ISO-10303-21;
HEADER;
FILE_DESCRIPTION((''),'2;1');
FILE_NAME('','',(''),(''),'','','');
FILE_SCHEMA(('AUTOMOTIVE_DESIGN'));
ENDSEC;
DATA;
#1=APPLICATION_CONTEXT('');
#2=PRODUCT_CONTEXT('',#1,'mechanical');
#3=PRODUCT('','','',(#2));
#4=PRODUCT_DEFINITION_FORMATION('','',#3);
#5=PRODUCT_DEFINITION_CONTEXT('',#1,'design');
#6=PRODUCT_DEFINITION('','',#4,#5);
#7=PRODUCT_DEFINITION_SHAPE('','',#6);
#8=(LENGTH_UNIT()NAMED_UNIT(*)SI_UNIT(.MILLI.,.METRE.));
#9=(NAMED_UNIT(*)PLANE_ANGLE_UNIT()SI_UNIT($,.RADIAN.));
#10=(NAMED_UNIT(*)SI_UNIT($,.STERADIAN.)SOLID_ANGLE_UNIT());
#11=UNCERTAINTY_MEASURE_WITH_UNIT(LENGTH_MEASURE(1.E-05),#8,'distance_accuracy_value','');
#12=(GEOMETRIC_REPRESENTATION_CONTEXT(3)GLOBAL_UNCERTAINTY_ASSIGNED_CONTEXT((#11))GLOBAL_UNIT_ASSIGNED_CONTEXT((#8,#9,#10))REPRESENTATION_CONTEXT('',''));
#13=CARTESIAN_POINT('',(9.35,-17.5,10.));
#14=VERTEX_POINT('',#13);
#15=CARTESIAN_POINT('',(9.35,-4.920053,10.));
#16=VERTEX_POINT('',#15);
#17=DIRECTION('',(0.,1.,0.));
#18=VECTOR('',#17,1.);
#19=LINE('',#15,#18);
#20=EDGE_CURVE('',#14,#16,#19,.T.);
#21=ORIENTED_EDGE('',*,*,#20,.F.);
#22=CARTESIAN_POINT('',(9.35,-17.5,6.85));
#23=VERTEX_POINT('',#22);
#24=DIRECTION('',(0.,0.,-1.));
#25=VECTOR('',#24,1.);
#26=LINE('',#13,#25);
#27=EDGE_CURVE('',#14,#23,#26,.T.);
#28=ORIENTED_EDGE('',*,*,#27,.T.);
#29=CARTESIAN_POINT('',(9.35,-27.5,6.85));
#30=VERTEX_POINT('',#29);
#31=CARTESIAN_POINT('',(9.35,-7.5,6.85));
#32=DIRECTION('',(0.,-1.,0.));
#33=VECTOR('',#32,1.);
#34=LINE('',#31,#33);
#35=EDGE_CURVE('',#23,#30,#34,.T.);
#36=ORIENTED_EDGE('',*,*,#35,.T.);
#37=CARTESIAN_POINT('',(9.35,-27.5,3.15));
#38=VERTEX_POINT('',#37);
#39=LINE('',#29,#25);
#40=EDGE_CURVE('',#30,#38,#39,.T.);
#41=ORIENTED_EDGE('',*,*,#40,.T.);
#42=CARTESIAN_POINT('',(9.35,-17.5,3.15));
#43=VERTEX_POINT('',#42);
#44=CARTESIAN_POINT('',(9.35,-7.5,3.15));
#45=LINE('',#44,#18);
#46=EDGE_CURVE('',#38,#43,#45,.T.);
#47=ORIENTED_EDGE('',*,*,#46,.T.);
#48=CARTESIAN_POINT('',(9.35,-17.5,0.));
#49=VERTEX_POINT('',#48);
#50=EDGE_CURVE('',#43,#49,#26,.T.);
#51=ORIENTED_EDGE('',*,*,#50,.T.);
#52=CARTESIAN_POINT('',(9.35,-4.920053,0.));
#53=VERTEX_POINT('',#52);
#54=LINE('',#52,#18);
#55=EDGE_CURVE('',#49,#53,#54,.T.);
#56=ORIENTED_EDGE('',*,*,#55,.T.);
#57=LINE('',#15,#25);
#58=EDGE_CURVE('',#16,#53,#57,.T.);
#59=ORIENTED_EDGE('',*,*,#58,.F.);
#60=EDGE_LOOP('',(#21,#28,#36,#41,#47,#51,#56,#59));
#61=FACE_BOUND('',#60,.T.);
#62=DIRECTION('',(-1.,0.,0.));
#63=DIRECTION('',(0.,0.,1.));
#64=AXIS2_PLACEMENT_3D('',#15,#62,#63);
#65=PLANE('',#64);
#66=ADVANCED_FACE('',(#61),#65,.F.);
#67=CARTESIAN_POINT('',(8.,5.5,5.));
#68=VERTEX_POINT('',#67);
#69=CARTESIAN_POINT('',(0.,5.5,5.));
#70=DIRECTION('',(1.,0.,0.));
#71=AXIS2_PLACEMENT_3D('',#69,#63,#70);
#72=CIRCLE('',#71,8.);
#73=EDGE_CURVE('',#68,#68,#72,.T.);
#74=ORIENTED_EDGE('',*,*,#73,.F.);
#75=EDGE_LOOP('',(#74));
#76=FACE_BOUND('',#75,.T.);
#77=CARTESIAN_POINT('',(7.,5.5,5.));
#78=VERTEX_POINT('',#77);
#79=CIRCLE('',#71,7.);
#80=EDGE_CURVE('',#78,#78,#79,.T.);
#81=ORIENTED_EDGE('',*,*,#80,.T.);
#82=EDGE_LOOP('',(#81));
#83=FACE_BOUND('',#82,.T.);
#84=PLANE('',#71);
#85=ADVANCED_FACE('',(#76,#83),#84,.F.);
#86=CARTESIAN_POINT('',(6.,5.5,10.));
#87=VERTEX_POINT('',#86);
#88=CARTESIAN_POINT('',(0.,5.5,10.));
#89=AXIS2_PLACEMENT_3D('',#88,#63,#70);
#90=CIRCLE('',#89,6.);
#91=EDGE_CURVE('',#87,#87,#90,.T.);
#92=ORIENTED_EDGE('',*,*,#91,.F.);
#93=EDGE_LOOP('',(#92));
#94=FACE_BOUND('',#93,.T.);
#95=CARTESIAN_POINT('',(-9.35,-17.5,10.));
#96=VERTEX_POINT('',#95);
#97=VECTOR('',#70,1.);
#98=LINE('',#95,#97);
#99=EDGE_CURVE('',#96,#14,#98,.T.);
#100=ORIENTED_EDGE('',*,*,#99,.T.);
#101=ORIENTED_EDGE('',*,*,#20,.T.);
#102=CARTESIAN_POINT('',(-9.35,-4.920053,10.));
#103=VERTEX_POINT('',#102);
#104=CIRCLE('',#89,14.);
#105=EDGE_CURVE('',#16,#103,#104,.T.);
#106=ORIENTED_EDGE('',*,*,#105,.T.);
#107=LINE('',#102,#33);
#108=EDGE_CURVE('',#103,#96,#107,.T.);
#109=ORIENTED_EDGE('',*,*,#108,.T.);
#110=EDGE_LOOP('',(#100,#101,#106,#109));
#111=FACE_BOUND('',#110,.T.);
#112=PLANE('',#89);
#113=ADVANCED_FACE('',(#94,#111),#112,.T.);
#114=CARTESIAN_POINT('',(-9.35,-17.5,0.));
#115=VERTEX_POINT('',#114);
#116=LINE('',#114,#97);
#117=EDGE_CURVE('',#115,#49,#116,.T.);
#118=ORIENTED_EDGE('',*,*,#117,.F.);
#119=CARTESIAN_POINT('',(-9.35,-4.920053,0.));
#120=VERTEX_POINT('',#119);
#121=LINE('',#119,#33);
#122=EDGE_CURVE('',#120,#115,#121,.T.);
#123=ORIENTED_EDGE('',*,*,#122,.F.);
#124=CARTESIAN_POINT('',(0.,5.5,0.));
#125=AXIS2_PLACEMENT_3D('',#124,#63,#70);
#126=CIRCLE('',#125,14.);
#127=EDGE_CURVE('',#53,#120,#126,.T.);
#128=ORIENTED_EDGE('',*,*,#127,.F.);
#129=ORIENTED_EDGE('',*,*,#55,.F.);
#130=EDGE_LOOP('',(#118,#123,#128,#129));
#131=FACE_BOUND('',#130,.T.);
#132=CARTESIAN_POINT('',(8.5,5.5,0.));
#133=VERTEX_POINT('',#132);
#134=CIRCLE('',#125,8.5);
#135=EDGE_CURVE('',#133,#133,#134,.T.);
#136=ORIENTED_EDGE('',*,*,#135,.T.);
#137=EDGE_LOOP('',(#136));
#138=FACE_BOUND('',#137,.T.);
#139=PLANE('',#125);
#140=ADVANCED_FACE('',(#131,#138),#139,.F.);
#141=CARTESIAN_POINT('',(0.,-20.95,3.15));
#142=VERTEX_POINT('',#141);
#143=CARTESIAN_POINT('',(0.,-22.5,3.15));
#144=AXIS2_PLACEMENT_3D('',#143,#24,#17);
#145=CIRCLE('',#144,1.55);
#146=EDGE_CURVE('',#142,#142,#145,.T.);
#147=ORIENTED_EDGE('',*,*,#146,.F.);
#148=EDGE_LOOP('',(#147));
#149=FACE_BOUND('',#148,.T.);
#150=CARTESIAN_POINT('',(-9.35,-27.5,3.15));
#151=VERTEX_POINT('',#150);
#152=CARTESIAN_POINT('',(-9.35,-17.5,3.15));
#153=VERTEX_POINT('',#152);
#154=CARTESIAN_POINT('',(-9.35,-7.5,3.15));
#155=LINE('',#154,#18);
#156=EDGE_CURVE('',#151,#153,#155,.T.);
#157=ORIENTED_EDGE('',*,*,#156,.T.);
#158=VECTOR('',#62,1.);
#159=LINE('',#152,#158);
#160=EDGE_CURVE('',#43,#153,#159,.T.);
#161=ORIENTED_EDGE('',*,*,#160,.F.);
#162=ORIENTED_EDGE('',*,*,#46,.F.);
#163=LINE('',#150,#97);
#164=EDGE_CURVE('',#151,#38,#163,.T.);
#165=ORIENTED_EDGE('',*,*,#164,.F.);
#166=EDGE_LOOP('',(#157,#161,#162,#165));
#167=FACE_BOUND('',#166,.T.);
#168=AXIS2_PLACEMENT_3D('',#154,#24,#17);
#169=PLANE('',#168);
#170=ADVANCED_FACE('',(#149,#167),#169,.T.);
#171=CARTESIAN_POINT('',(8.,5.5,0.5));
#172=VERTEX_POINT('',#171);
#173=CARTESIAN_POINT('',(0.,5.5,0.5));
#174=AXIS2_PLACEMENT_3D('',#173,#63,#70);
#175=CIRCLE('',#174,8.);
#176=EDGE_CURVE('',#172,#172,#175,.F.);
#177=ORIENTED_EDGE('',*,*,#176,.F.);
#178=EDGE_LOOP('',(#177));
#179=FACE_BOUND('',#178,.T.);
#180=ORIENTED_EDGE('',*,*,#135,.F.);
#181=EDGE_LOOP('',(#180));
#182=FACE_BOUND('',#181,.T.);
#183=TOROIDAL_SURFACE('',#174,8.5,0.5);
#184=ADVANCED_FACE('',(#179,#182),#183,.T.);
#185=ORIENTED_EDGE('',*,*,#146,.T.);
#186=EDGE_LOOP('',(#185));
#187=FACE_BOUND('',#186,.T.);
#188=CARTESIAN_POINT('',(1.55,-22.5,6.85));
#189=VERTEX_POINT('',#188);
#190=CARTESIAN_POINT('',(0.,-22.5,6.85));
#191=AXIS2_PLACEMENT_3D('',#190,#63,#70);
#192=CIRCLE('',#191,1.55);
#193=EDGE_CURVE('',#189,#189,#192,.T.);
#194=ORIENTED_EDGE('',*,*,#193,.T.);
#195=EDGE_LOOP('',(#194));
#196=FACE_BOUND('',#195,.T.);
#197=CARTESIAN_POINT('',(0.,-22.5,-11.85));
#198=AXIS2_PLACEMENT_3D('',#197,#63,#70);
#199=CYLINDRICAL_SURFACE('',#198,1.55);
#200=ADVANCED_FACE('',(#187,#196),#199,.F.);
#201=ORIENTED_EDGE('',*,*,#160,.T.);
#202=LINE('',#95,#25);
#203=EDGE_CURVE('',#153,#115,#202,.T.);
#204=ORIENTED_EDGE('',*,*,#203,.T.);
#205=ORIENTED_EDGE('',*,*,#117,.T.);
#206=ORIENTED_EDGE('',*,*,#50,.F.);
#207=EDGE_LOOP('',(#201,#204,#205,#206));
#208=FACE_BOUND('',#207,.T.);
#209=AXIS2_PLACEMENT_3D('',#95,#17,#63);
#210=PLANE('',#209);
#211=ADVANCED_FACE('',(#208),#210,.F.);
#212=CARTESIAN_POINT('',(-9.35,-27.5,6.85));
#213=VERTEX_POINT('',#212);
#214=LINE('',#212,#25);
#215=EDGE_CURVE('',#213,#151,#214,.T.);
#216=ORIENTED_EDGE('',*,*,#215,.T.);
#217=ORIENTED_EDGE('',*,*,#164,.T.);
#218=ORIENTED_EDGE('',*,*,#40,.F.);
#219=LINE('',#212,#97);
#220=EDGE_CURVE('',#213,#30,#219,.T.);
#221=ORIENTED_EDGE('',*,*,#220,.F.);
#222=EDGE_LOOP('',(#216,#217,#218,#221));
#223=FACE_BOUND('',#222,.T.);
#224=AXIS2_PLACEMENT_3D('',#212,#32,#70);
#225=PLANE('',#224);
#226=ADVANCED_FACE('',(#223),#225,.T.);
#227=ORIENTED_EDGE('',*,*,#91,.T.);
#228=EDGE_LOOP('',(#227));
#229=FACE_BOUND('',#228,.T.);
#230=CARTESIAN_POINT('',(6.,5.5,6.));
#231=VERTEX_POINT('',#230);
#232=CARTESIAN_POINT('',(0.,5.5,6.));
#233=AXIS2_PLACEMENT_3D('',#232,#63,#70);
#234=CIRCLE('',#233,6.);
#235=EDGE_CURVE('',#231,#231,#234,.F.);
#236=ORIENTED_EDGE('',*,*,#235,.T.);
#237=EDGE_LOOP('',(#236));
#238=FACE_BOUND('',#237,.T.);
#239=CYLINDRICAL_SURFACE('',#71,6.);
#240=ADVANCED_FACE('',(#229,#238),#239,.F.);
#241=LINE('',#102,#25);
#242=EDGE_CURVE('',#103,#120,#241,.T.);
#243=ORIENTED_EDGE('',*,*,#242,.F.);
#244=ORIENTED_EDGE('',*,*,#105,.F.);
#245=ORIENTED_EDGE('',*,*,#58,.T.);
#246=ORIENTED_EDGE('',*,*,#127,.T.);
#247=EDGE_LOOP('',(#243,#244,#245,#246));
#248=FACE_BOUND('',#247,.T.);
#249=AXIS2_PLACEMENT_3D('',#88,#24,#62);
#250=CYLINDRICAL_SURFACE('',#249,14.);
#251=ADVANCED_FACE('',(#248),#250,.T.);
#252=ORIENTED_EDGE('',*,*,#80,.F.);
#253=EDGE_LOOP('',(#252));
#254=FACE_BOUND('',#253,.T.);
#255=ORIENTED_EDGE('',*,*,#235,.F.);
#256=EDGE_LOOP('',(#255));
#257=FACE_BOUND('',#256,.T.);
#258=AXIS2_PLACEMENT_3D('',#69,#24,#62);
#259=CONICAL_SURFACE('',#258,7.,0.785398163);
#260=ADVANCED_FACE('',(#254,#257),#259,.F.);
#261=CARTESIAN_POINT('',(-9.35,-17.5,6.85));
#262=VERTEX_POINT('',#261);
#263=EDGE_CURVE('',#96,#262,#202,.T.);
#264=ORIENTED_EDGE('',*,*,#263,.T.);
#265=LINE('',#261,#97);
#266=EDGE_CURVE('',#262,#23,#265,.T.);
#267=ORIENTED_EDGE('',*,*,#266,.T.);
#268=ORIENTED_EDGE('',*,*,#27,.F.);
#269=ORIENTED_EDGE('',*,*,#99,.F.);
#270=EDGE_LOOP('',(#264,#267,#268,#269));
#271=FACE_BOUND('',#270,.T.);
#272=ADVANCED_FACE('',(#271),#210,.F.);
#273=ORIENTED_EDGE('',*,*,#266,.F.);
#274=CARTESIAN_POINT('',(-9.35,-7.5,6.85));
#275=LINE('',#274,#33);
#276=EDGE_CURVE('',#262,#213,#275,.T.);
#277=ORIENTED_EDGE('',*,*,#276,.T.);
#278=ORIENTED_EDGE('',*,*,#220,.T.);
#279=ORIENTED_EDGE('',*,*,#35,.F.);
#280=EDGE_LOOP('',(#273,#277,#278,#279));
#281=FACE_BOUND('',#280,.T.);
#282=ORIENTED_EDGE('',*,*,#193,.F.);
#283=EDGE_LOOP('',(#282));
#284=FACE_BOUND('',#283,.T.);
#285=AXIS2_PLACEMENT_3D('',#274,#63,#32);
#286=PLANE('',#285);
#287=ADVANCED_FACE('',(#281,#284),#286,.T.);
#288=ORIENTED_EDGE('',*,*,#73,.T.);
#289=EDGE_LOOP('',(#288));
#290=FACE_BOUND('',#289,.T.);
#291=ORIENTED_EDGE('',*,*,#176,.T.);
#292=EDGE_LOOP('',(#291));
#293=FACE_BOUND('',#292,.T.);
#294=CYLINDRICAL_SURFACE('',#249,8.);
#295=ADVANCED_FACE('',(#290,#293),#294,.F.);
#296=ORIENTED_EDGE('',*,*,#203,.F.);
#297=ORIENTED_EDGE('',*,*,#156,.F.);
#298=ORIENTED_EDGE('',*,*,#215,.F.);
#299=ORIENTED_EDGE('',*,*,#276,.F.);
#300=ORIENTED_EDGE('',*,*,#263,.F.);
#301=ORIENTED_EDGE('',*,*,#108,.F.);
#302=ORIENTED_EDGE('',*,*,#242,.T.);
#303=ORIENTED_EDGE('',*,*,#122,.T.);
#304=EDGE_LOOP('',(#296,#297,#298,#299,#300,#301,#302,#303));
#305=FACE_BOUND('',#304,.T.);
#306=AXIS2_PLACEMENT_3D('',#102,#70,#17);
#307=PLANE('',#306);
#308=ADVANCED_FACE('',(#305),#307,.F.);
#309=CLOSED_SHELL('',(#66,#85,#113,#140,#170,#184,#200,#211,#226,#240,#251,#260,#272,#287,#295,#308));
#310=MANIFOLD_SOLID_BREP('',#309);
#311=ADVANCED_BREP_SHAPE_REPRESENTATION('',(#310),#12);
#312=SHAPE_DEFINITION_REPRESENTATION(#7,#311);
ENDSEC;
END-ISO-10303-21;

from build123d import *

# Parameters (mm, degrees)
SKETCH1_R           = 8
BOSS_EXTRUDE1_DEPTH = 10
SKETCH2_W           = 3.7
SKETCH2_H           = 20
BOSS_EXTRUDE2_DEPTH = 18.7
SKETCH3_R           = 1.55
CUT_EXTRUDE1_DEPTH  = 18.7
BOSS_EXTRUDE3_START = -5
SKETCH4_R           = 8
SKETCH4_R_2         = 6
BOSS_EXTRUDE3_DEPTH = 5
CHAMFER1_SIZE       = 1
FILLET1_R           = 0.5


with BuildPart() as part:
    # Sketch1 → Boss-Extrude1 (new body)
    with BuildSketch(Plane.XY):
        with BuildLine():
            Line((-9.35, -4.920052783), (-9.35, -17.5))
            Line((-9.35, -17.5), (9.35, -17.5))
            Line((9.35, -17.5), (9.35, -4.920052783))
            ThreePointArc((9.35, -4.920052783), (0, 19.5), (-9.35, -4.920052783))
        make_face()
        with Locations((0, 5.5)):
            Circle(SKETCH1_R, mode=Mode.SUBTRACT)
    extrude(amount=BOSS_EXTRUDE1_DEPTH)

    # Sketch2 → Boss-Extrude2 (add)
    with BuildSketch(Plane(origin=(9.35, 0, 0), x_dir=(0, 0, -1), z_dir=(1, 0, 0))):
        with Locations((-5, -17.5)):
            Rectangle(SKETCH2_W, SKETCH2_H)
    extrude(amount=-BOSS_EXTRUDE2_DEPTH)

    # Sketch3 → Cut-Extrude1 (cut)
    with BuildSketch(Plane.XY.offset(6.85)):
        with Locations((0, -22.5)):
            Circle(SKETCH3_R)
    extrude(amount=-CUT_EXTRUDE1_DEPTH, mode=Mode.SUBTRACT)

    # Sketch4 → Boss-Extrude3 (add)
    with BuildSketch(Plane.XY.offset(10).offset(BOSS_EXTRUDE3_START)):
        with Locations((0, 5.5)):
            Circle(SKETCH4_R)
        with Locations((0, 5.5)):
            Circle(SKETCH4_R_2, mode=Mode.SUBTRACT)
    extrude(amount=BOSS_EXTRUDE3_DEPTH)

    # Chamfer1
    chamfer1_edges = [part.edges().sort_by_distance(p)[0] for p in [
        (-6, 5.5, 5),
    ]]
    chamfer(chamfer1_edges, length=CHAMFER1_SIZE)

    # Fillet1
    fillet1_edges = [part.edges().sort_by_distance(p)[0] for p in [
        (-8, 5.5, 0),
    ]]
    fillet(fillet1_edges, radius=FILLET1_R)


solid = part.part
